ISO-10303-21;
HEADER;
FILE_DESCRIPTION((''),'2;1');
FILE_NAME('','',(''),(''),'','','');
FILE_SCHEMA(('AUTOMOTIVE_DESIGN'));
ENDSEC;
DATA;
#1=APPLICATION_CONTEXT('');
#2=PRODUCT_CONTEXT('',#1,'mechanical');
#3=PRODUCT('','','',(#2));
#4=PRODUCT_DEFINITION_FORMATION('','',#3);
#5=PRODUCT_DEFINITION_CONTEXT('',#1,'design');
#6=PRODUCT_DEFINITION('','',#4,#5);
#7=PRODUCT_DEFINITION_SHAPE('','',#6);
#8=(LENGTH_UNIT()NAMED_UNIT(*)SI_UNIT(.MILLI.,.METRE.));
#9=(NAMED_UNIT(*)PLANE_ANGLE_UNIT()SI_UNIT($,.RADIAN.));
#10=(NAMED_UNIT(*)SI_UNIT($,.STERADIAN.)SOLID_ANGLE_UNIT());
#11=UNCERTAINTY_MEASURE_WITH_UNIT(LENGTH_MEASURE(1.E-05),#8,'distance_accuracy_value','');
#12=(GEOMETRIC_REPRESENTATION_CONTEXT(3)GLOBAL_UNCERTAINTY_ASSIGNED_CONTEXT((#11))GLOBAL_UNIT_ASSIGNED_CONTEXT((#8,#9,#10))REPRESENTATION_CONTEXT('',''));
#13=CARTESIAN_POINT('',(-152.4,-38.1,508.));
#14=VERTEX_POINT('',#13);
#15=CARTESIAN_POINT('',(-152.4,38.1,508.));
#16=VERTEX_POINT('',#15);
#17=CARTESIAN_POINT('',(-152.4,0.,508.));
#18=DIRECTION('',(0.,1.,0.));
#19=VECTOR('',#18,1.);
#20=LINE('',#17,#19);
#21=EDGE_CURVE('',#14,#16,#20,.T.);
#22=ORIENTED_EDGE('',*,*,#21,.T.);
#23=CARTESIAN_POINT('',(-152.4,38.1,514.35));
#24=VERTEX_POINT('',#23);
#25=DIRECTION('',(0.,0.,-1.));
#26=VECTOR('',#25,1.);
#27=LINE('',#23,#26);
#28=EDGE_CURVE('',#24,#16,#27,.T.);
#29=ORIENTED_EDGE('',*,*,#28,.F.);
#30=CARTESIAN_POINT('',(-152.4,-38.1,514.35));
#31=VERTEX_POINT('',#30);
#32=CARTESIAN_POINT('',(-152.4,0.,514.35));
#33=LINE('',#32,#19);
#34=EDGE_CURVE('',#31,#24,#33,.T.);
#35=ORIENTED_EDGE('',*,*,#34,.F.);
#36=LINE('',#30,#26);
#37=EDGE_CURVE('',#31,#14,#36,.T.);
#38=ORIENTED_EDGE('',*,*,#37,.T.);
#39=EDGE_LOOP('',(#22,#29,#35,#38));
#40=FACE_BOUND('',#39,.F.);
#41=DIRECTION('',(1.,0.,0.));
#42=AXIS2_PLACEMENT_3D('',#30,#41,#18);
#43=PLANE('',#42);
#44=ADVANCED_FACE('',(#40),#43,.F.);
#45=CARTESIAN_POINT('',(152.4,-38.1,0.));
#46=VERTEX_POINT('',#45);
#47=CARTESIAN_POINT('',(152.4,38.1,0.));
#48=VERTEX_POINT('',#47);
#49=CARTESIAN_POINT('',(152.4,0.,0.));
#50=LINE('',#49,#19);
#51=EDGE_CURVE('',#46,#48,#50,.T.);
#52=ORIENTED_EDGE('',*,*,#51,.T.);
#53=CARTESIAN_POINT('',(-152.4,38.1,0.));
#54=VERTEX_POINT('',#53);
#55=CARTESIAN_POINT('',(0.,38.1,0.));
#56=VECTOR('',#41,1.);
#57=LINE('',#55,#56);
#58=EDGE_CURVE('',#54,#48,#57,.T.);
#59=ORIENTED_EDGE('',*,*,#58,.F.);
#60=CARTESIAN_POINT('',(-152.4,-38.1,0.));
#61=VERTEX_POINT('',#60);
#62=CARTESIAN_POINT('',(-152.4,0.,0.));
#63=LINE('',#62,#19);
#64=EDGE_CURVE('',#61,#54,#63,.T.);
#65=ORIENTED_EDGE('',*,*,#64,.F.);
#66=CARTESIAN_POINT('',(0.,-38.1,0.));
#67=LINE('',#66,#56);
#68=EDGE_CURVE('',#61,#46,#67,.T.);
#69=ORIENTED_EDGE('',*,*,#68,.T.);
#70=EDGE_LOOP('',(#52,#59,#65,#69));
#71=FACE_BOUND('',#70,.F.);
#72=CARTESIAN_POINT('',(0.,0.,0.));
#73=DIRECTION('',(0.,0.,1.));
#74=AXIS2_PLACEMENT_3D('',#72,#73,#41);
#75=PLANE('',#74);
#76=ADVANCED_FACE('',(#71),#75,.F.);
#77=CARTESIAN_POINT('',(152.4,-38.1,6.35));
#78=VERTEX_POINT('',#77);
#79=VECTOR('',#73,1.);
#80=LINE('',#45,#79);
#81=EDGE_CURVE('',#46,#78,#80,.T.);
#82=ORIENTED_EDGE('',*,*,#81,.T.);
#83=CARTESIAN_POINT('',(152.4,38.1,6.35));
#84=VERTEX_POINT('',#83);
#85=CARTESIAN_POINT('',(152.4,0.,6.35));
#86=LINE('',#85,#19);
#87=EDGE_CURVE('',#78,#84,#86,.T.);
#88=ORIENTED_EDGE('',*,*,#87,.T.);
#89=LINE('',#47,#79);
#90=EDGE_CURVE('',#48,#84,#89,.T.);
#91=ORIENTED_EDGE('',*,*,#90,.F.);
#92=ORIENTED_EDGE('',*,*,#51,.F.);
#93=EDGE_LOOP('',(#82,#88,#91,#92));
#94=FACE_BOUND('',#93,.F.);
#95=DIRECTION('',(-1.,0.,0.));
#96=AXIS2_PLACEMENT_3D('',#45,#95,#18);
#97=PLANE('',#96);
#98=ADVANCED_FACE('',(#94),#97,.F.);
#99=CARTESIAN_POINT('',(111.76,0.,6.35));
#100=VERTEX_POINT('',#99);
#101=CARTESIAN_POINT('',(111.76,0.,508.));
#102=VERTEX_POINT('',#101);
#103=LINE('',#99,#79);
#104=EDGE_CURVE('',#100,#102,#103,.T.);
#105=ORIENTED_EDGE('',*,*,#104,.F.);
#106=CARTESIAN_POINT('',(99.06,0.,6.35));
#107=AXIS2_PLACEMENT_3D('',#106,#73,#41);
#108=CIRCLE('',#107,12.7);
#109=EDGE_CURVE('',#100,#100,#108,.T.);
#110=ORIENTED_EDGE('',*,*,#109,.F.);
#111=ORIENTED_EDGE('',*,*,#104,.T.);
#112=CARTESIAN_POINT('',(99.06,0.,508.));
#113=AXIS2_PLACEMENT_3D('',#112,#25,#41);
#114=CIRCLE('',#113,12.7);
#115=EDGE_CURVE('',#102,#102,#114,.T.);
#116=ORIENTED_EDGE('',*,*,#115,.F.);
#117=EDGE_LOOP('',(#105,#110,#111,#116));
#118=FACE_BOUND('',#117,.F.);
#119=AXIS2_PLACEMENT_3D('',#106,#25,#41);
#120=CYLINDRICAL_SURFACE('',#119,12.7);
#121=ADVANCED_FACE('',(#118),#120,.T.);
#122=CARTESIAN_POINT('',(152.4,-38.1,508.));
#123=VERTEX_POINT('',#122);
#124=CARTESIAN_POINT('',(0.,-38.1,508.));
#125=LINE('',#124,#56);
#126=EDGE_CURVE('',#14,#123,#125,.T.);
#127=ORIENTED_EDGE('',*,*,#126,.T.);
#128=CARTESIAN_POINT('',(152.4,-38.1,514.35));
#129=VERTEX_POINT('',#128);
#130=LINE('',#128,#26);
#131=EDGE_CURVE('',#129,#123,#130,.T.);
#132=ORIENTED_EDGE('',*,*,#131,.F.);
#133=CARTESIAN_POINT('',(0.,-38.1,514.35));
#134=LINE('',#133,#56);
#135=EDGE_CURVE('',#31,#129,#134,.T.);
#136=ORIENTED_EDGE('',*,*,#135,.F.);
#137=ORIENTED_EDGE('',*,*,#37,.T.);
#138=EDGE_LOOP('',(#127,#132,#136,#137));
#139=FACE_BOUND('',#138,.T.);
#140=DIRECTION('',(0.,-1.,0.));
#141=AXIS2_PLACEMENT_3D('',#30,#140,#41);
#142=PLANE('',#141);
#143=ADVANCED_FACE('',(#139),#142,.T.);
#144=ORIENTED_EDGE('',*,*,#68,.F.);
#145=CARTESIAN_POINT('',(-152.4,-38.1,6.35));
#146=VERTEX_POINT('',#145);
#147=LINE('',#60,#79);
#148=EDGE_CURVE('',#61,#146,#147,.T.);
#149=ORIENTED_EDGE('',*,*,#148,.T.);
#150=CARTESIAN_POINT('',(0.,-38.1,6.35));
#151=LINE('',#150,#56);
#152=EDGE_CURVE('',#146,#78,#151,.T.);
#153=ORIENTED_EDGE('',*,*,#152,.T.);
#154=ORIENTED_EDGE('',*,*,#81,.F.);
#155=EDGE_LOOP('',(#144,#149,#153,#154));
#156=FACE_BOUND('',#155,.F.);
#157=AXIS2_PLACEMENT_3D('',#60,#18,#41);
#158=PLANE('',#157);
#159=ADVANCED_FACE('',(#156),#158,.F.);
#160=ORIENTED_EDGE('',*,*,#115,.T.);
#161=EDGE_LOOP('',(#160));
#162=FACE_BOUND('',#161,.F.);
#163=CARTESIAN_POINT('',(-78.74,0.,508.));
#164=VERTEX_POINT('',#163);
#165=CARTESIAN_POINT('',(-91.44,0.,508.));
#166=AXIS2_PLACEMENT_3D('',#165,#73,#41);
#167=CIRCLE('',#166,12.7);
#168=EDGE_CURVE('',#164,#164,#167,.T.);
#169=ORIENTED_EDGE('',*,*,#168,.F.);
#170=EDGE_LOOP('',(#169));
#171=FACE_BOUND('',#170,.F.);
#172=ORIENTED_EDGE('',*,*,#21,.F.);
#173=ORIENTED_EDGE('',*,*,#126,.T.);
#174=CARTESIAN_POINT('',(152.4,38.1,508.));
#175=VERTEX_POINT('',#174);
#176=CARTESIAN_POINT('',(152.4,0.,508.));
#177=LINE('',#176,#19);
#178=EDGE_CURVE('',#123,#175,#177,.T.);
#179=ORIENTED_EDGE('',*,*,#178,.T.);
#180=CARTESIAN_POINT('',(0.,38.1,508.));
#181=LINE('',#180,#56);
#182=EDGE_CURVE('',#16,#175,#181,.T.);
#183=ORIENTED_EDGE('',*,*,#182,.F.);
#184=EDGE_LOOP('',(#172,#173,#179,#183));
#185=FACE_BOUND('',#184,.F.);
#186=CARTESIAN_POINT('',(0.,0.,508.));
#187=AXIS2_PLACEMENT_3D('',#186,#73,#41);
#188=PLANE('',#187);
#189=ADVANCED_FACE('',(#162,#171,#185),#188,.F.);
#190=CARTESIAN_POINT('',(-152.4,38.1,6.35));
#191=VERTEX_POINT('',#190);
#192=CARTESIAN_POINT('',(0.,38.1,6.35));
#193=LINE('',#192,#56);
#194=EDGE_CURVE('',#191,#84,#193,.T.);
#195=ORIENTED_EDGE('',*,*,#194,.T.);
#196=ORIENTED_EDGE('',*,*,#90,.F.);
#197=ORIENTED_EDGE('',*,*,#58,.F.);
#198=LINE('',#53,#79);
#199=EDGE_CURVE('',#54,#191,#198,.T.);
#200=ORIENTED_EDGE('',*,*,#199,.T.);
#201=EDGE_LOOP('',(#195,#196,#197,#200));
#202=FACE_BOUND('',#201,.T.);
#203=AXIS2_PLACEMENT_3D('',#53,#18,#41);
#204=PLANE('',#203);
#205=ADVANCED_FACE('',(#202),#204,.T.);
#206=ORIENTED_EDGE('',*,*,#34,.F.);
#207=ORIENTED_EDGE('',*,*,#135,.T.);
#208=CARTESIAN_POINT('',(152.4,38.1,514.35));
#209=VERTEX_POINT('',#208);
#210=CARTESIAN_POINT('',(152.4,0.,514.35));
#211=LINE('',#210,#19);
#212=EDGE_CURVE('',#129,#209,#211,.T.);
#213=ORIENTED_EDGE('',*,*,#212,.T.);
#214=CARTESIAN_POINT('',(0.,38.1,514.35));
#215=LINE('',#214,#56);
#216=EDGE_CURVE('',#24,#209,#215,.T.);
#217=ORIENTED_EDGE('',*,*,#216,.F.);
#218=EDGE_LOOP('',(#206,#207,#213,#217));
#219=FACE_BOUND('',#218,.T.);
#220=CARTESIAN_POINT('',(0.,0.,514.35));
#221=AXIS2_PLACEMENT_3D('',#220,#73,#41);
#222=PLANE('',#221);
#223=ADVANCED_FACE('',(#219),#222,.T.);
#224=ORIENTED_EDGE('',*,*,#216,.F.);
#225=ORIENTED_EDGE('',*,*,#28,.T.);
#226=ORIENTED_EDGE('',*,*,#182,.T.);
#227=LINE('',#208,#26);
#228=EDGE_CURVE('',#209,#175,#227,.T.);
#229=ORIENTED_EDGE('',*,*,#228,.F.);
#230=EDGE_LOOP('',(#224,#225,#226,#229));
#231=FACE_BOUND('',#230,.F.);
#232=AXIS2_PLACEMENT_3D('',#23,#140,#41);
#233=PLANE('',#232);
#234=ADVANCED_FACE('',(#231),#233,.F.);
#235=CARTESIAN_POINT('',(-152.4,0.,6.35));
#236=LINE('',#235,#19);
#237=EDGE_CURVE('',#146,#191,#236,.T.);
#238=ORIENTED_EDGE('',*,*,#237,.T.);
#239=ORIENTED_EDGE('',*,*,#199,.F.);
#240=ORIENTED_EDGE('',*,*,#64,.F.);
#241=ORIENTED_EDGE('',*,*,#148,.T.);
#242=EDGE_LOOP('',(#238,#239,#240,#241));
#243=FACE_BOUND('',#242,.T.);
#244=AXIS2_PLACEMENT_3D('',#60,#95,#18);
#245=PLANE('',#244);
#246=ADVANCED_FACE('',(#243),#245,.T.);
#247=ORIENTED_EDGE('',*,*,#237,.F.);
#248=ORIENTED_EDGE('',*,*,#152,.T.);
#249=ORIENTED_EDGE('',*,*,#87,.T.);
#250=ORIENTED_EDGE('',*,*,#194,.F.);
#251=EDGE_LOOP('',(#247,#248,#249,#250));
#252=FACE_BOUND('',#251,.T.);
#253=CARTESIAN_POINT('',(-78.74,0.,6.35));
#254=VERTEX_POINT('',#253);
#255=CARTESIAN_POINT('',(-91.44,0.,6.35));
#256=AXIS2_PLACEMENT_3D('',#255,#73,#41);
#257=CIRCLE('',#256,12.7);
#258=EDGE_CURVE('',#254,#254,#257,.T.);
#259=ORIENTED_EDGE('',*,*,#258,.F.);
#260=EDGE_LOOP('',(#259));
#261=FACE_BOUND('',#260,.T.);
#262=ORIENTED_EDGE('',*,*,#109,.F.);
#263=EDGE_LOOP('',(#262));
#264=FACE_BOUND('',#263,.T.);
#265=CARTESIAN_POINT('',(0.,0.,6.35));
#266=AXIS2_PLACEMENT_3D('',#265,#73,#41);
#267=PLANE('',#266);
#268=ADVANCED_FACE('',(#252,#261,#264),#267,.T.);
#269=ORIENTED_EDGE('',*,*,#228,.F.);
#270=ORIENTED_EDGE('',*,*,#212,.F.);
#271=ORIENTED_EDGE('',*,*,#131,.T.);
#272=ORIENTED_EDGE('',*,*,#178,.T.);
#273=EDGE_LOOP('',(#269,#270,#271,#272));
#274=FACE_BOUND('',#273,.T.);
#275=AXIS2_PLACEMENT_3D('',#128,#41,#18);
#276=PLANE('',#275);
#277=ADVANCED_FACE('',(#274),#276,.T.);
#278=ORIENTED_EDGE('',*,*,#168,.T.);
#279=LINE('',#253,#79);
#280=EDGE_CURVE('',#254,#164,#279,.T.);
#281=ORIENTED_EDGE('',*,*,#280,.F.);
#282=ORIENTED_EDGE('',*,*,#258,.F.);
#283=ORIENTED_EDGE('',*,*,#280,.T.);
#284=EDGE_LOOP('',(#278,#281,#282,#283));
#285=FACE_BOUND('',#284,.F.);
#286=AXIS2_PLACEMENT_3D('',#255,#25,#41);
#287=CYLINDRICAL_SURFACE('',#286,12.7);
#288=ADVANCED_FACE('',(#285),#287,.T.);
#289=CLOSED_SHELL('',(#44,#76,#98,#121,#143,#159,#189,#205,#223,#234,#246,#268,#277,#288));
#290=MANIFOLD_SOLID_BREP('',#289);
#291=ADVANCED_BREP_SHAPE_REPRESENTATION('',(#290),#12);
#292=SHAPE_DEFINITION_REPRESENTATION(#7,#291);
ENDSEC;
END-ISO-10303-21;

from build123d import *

# Parameters (mm, degrees)
F0_W     = 304.8
F0_H     = 76.2
F1_DEPTH = 6.35
F2_R     = 12.7
F3_DEPTH = 508
F4_W     = 304.8
F4_H     = 76.2
F4_R     = 12.7
F5_DEPTH = 6.35


with BuildPart() as f1:
    # F0 (on Top) → F1 (new body)
    with BuildSketch(Plane.XY):
        Rectangle(F0_W, F0_H)
    extrude(amount=F1_DEPTH)

    # F2 (on face) → F3 (join)
    with BuildSketch(Plane.XY.offset(6.35)):
        with Locations((-91.44, 0)):
            Circle(F2_R)
        with Locations((99.06, 0)):
            Circle(F2_R)
    extrude(amount=F3_DEPTH)

    # F4 (on face) → F5 (join)
    with BuildSketch(Plane.XY.offset(514.35)):
        Rectangle(F4_W, F4_H)
        with Locations((-91.44, 0)):
            Circle(F4_R, mode=Mode.SUBTRACT)
    extrude(amount=-F5_DEPTH)


solid = f1.part
